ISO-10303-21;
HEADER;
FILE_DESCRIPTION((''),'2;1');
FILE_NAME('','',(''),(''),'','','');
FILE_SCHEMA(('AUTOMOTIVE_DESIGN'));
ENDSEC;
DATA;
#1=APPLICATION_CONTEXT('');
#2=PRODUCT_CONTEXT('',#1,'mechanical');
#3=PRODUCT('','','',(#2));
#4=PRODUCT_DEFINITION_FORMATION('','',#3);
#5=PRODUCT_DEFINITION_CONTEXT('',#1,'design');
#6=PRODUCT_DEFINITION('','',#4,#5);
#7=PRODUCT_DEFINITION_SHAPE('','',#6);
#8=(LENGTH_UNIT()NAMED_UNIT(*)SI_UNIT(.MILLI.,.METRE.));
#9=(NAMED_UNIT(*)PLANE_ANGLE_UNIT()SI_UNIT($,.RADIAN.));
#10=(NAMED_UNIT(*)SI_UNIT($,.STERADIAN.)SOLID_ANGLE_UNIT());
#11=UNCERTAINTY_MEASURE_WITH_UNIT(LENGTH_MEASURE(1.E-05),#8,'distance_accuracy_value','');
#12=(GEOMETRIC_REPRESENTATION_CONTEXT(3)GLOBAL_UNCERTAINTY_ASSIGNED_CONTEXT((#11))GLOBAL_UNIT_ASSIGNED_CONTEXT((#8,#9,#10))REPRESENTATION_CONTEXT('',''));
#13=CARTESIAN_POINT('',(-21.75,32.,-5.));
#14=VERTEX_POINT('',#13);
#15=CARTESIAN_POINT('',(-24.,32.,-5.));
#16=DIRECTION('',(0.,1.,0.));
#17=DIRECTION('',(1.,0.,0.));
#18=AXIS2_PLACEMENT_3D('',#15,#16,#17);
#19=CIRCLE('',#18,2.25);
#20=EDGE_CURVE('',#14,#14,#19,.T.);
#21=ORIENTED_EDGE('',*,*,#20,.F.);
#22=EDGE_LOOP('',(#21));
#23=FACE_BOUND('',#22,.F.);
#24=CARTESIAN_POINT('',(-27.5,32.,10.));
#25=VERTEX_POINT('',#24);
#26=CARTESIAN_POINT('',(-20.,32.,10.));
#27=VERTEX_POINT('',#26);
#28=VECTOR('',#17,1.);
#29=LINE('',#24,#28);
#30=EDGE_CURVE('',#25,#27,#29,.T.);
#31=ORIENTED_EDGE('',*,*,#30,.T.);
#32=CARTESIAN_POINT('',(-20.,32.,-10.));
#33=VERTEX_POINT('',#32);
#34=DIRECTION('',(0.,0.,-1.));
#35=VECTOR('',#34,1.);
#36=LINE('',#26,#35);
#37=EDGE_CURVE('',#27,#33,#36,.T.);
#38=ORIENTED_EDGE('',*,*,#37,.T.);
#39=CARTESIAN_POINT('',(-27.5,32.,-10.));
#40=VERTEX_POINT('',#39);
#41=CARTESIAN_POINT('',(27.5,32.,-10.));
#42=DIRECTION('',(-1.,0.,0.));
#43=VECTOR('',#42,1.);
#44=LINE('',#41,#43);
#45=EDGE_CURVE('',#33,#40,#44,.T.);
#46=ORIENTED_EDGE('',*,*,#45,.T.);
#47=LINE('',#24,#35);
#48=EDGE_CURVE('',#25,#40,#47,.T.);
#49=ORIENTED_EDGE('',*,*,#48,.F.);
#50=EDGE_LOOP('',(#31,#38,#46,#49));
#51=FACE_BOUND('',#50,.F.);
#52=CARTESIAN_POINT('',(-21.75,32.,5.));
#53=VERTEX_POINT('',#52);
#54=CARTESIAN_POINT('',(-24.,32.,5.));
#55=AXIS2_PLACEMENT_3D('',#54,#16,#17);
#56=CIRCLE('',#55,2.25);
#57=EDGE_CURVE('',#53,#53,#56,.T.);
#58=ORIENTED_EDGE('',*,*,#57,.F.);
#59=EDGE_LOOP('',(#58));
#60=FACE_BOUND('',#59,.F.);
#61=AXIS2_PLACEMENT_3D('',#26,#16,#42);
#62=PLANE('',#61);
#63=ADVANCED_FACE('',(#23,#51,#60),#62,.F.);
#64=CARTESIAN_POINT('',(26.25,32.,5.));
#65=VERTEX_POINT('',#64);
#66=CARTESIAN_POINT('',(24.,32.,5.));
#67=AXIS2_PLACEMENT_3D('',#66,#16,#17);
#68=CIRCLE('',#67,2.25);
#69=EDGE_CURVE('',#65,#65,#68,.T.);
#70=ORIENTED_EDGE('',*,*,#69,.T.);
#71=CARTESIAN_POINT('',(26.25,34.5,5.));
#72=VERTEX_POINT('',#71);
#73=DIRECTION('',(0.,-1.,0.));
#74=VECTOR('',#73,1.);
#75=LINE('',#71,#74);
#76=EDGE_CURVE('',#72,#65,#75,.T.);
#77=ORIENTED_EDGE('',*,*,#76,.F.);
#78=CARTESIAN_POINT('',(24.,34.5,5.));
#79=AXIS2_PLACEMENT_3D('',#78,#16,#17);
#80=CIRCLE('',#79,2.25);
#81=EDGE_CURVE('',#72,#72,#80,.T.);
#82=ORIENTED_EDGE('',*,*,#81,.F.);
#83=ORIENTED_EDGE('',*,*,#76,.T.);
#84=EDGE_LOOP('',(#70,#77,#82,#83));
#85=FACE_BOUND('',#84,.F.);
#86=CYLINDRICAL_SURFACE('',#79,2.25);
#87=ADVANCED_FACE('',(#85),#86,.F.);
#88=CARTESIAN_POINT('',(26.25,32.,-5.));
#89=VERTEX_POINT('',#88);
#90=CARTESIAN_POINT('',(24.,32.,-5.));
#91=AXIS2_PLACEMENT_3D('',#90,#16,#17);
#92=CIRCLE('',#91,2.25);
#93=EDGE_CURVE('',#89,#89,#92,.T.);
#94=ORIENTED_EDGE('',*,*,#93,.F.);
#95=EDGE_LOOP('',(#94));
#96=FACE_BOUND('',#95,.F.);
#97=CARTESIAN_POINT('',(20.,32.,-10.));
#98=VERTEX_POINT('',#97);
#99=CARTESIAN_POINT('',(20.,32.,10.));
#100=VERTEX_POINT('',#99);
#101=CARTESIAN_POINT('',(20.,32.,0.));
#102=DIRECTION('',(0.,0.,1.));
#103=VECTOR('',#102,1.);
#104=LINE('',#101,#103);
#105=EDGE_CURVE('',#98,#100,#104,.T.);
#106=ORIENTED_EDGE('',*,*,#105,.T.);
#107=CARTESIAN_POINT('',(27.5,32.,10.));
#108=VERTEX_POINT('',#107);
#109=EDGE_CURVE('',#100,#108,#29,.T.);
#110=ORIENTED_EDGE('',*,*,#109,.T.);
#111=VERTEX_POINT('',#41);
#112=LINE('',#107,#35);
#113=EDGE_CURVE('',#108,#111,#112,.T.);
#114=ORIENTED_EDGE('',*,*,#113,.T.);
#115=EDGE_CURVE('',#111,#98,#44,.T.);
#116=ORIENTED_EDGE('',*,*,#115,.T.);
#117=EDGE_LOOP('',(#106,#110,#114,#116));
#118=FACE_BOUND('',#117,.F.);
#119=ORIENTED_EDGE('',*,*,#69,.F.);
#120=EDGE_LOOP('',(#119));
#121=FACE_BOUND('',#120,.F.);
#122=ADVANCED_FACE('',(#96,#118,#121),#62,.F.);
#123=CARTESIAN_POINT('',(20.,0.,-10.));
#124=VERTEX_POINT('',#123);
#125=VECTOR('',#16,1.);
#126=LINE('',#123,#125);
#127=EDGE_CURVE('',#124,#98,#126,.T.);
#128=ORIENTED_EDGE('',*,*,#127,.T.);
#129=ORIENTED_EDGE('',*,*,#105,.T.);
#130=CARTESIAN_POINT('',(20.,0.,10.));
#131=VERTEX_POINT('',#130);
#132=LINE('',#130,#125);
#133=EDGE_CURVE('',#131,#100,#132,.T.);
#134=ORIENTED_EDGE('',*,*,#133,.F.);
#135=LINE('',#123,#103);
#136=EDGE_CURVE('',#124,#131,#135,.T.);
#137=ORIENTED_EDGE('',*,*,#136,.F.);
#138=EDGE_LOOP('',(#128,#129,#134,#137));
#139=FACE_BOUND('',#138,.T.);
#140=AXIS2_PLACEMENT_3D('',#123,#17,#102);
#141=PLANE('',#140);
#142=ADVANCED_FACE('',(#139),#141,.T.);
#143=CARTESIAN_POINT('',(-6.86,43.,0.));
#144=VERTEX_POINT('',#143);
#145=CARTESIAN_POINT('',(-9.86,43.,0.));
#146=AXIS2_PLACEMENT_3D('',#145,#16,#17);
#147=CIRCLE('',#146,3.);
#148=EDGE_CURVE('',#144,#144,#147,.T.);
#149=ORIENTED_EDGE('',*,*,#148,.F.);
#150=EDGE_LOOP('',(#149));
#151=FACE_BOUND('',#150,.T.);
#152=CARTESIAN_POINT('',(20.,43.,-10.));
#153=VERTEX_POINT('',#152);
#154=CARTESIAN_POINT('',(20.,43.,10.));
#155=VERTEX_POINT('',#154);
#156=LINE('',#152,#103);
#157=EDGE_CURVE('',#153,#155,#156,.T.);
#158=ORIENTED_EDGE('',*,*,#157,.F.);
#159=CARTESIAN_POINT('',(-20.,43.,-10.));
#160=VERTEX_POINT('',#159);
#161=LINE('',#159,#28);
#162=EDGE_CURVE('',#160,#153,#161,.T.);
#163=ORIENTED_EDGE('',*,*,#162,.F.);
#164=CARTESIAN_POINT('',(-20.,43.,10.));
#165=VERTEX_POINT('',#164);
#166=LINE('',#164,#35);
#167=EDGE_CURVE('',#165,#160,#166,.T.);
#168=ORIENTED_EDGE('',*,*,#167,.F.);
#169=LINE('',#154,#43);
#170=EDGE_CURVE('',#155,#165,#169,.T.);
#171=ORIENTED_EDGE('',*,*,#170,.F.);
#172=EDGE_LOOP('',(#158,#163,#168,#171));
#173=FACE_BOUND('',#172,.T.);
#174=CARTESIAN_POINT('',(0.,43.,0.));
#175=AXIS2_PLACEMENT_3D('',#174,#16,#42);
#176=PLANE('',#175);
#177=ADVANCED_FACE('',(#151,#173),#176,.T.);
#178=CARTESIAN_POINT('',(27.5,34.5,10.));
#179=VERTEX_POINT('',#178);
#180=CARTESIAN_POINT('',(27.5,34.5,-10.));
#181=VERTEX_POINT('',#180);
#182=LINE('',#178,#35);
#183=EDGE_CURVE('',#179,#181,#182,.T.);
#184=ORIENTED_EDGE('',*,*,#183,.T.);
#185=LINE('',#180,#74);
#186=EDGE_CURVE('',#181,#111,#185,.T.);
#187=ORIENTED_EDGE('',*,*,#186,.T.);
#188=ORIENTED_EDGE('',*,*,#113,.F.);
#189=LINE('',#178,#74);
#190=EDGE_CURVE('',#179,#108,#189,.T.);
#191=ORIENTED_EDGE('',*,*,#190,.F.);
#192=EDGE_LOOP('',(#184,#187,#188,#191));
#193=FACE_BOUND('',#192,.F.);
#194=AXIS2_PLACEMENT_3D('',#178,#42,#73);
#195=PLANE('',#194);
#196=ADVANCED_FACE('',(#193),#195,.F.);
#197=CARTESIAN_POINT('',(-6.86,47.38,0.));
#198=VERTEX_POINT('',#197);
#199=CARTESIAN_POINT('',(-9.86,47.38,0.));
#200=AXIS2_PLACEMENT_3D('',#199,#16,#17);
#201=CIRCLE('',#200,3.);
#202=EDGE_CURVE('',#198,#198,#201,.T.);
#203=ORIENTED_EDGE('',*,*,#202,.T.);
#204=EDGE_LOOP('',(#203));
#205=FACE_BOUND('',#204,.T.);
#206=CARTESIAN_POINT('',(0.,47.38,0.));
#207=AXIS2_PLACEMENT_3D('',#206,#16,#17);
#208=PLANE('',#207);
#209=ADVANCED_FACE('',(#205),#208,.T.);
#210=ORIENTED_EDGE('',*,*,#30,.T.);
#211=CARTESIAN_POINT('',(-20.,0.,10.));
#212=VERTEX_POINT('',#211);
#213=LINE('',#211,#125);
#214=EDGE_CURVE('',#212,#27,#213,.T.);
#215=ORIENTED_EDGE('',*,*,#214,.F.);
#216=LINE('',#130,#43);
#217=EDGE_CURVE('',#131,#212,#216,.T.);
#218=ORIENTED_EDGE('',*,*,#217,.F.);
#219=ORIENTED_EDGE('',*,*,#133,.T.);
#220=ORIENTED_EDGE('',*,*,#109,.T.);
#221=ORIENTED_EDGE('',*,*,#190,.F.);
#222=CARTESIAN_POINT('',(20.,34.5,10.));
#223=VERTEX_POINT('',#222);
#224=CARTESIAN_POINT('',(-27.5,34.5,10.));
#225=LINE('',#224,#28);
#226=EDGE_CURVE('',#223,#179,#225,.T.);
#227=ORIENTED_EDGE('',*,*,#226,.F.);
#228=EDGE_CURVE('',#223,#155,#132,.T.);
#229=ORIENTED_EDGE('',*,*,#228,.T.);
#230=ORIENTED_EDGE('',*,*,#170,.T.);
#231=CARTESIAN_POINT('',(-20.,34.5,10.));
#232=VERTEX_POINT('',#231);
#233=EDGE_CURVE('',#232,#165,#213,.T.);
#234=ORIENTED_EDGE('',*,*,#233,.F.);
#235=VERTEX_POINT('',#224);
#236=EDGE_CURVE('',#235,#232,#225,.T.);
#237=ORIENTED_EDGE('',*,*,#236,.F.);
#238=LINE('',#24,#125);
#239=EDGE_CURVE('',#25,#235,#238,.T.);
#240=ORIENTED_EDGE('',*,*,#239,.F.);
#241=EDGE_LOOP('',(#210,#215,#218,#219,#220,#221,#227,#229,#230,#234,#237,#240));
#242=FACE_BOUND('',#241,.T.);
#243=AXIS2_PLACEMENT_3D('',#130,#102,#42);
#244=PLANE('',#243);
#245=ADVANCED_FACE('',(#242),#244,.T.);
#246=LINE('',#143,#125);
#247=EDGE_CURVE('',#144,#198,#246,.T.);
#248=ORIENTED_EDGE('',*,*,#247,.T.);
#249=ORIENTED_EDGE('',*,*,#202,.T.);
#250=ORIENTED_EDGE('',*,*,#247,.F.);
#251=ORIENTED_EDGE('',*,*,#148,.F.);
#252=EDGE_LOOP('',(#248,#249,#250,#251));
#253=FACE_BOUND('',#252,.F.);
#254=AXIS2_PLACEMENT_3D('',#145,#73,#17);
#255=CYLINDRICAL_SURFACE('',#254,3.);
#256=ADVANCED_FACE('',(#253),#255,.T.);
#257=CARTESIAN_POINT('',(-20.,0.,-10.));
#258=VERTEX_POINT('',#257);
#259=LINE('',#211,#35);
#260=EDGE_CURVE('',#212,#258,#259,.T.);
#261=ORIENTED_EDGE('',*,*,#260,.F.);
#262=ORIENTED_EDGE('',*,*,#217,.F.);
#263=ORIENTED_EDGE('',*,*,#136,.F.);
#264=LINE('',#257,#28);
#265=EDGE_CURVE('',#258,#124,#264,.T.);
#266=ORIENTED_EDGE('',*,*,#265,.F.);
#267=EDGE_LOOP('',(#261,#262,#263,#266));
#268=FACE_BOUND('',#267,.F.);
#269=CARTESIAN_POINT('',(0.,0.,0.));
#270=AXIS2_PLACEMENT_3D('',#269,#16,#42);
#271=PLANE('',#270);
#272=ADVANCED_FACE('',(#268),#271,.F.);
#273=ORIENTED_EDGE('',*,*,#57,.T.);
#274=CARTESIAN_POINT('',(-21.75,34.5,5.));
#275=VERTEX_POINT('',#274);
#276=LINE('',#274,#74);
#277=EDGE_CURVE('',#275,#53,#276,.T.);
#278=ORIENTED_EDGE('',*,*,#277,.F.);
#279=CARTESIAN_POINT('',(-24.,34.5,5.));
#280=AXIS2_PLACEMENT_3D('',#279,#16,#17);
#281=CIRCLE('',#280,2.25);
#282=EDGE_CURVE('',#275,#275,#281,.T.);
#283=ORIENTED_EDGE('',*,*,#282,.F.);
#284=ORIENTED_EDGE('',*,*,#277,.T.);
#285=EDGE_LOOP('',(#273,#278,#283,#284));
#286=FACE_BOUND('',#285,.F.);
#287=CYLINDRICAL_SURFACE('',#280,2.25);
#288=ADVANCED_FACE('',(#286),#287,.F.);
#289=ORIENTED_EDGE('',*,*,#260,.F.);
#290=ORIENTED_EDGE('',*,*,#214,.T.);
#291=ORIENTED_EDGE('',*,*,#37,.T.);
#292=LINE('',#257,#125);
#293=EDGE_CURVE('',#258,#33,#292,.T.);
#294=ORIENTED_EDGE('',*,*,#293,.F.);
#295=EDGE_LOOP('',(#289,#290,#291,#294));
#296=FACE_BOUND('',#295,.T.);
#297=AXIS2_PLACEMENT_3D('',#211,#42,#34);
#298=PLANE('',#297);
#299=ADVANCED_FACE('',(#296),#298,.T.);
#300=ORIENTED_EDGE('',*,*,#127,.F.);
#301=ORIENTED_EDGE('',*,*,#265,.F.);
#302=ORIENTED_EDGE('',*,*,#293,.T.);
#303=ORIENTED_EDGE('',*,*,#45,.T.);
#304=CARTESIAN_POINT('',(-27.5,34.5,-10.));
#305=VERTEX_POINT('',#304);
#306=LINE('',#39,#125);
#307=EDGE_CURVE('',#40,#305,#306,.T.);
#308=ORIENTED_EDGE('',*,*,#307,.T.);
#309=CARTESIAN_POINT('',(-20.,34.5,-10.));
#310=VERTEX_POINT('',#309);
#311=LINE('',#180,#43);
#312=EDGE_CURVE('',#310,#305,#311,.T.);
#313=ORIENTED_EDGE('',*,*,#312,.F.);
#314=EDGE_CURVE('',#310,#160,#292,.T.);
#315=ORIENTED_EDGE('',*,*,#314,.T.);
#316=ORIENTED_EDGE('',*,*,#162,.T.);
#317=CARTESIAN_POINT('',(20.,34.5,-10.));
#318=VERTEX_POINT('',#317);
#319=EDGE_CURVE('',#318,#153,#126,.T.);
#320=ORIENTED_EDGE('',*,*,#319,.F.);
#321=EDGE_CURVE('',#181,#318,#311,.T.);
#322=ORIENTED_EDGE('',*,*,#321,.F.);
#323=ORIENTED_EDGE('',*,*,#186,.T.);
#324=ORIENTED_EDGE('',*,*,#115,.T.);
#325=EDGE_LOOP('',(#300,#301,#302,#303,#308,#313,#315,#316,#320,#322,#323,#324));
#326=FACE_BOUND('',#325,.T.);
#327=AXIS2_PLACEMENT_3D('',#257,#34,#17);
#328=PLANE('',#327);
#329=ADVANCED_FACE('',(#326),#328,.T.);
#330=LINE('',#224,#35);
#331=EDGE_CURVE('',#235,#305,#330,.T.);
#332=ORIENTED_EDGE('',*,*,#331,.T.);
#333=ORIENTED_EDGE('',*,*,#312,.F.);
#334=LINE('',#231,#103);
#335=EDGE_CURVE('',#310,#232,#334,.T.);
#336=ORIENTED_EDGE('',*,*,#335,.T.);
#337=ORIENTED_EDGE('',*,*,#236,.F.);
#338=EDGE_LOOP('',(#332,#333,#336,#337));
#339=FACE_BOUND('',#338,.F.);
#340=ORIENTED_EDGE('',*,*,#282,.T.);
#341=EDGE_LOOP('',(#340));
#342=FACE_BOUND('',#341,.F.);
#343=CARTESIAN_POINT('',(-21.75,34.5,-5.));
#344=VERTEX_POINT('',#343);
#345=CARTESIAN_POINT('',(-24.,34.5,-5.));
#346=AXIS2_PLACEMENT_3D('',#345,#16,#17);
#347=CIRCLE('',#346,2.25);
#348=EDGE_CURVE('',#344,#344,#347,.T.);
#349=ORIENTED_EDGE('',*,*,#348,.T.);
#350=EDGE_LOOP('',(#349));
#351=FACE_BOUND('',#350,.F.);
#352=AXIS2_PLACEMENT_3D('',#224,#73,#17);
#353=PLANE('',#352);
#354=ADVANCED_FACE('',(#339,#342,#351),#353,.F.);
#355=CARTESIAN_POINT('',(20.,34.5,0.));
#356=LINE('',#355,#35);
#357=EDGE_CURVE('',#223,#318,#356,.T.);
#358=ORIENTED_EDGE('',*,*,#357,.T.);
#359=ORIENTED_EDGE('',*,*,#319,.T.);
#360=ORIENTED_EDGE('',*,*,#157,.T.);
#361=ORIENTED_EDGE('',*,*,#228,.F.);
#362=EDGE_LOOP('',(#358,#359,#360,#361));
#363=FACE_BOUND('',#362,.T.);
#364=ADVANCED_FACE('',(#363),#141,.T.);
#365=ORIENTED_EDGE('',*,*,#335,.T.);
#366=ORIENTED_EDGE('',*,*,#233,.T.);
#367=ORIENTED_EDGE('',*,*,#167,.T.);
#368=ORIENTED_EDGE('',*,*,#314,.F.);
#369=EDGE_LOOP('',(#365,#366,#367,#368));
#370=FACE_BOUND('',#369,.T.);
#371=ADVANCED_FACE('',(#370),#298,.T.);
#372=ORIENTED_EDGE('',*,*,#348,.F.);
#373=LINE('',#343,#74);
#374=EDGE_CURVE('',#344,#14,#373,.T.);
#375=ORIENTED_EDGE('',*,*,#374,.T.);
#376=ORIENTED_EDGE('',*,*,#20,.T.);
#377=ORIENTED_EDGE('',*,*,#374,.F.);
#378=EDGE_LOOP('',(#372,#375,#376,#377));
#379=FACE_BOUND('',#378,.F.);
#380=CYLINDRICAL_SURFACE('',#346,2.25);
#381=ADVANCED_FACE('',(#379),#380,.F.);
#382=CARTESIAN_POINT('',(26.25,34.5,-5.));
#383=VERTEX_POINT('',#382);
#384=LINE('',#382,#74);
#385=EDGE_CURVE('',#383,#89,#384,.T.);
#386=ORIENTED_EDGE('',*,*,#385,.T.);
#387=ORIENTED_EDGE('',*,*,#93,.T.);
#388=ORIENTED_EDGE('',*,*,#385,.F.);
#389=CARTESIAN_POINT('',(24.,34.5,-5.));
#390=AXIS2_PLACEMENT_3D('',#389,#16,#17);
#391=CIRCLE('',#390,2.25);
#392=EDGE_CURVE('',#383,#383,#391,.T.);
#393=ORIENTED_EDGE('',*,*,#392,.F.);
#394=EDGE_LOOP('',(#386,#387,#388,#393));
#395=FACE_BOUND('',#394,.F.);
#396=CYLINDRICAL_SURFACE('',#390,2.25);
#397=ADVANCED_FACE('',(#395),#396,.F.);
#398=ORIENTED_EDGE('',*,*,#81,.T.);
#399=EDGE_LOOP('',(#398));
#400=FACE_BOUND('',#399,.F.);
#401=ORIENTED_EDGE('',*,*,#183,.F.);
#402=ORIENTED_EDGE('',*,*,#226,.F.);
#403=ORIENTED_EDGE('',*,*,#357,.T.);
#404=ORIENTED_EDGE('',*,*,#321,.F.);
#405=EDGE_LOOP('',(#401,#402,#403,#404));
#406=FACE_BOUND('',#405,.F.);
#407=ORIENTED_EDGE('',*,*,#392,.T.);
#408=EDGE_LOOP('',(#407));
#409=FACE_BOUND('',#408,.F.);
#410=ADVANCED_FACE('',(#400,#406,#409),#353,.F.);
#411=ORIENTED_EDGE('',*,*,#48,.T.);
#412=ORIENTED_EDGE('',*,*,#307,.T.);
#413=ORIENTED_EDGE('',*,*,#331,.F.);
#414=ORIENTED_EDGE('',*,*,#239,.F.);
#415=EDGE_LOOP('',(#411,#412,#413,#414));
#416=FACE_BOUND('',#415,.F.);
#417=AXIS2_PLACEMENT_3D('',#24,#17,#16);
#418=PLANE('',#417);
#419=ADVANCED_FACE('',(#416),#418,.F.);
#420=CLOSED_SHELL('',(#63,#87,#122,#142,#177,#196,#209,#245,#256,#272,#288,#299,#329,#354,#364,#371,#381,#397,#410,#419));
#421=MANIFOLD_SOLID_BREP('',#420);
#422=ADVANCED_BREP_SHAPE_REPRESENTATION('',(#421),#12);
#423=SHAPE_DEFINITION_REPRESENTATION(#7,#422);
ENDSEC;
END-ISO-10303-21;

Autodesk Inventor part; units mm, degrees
ref_plane "YZ Plane" through (0, 0, 0) normal (1, 0, 0) x (0, 1, 0)
ref_plane "XZ Plane" through (0, 0, 0) normal (0, 1, 0) x (-1, 0, 0)
ref_plane "XY Plane" through (0, 0, 0) normal (0, 0, 1) x (1, 0, 0)
sketch "Sketch1" plane through (0, 0, 0) normal (0, 1, 0) x (-1, 0, 0)
  line L0 (-20, 10) -> (20, 10)
  line L1 (20, 10) -> (20, -10)
  line L2 (20, -10) -> (-20, -10)
  line L3 (-20, -10) -> (-20, 10)
  line L4 (-20, 10) -> (20, -10) construction
  line L5 (20, 10) -> (-20, -10) construction
  point P0 (0, 0)
  dimension "d0" = 40
  dimension "d1" = 20
extrude "Extrusion1" add sketch "Sketch1" along normal blind 43
sketch "Sketch2" plane through (-20, 0, 10) normal (0, 0, 1) x (1, 0, 0)
  line L0 (-7.5, 34.5) -> (47.5, 34.5)
  line L1 (47.5, 34.5) -> (47.5, 32)
  line L2 (47.5, 32) -> (-7.5, 32)
  line L3 (-7.5, 32) -> (-7.5, 34.5)
  line L4 (0, 0) -> (40, 0) projected
  line L5 (0, 0) -> (0, 43) projected
  point P0 (20, 0)
  point P1 (-7.5, 33.25)
  dimension "d4" = 55
  dimension "d5" = 2.5
  dimension "d6" = 32
  dimension "d7" = 7.5
extrude "Extrusion2" add sketch "Sketch2" against normal up to surface (20 mm away)
sketch "Sketch3" plane through (-27.5, 34.5, 10) normal (0, 1, 0) x (1, 0, 0)
  line L0 (0, 0) -> (0, 20) projected
  line L1 (0, 10) -> (55, 10) construction
  line L2 (55, 0) -> (55, 20) projected
  line L3 (7.5, 0) -> (47.5, 0) projected
  line L4 (27.5, 0) -> (27.5, 20) construction
  line L5 (47.5, 20) -> (7.5, 20) projected
  circle A0 centre (3.5, 5) radius 2.25
  circle A1 centre (3.5, 15) radius 2.25
  circle A2 centre (51.5, 5) radius 2.25
  circle A3 centre (51.5, 15) radius 2.25
  point P0 (27.5, 10)
  dimension "d10" = 4.5
  dimension "d11" = 5
  dimension "d12" = 24
extrude "Extrusion3" cut sketch "Sketch3" against normal through all
sketch "Sketch4" plane through (0, 43, 0) normal (0, 1, 0) x (1, 0, 0)
  line L0 (-27.5, -10) -> (-27.5, 10) projected
  line L1 (-27.5, 0) -> (27.5, 0) construction
  line L2 (27.5, -10) -> (27.5, 10) projected
  line L3 (0, -10) -> (0, 10) construction
  line L4 (20, 10) -> (-20, 10) projected
  circle A0 centre (-9.86, 0) radius 3
  point P0 (0, 0)
  dimension "d15" = 6
  dimension "d16" = 9.86
extrude "Extrusion4" add sketch "Sketch4" along normal blind 4.38
properties part number "feetech_25kg_servo" material "Acetal Resin, Black"
